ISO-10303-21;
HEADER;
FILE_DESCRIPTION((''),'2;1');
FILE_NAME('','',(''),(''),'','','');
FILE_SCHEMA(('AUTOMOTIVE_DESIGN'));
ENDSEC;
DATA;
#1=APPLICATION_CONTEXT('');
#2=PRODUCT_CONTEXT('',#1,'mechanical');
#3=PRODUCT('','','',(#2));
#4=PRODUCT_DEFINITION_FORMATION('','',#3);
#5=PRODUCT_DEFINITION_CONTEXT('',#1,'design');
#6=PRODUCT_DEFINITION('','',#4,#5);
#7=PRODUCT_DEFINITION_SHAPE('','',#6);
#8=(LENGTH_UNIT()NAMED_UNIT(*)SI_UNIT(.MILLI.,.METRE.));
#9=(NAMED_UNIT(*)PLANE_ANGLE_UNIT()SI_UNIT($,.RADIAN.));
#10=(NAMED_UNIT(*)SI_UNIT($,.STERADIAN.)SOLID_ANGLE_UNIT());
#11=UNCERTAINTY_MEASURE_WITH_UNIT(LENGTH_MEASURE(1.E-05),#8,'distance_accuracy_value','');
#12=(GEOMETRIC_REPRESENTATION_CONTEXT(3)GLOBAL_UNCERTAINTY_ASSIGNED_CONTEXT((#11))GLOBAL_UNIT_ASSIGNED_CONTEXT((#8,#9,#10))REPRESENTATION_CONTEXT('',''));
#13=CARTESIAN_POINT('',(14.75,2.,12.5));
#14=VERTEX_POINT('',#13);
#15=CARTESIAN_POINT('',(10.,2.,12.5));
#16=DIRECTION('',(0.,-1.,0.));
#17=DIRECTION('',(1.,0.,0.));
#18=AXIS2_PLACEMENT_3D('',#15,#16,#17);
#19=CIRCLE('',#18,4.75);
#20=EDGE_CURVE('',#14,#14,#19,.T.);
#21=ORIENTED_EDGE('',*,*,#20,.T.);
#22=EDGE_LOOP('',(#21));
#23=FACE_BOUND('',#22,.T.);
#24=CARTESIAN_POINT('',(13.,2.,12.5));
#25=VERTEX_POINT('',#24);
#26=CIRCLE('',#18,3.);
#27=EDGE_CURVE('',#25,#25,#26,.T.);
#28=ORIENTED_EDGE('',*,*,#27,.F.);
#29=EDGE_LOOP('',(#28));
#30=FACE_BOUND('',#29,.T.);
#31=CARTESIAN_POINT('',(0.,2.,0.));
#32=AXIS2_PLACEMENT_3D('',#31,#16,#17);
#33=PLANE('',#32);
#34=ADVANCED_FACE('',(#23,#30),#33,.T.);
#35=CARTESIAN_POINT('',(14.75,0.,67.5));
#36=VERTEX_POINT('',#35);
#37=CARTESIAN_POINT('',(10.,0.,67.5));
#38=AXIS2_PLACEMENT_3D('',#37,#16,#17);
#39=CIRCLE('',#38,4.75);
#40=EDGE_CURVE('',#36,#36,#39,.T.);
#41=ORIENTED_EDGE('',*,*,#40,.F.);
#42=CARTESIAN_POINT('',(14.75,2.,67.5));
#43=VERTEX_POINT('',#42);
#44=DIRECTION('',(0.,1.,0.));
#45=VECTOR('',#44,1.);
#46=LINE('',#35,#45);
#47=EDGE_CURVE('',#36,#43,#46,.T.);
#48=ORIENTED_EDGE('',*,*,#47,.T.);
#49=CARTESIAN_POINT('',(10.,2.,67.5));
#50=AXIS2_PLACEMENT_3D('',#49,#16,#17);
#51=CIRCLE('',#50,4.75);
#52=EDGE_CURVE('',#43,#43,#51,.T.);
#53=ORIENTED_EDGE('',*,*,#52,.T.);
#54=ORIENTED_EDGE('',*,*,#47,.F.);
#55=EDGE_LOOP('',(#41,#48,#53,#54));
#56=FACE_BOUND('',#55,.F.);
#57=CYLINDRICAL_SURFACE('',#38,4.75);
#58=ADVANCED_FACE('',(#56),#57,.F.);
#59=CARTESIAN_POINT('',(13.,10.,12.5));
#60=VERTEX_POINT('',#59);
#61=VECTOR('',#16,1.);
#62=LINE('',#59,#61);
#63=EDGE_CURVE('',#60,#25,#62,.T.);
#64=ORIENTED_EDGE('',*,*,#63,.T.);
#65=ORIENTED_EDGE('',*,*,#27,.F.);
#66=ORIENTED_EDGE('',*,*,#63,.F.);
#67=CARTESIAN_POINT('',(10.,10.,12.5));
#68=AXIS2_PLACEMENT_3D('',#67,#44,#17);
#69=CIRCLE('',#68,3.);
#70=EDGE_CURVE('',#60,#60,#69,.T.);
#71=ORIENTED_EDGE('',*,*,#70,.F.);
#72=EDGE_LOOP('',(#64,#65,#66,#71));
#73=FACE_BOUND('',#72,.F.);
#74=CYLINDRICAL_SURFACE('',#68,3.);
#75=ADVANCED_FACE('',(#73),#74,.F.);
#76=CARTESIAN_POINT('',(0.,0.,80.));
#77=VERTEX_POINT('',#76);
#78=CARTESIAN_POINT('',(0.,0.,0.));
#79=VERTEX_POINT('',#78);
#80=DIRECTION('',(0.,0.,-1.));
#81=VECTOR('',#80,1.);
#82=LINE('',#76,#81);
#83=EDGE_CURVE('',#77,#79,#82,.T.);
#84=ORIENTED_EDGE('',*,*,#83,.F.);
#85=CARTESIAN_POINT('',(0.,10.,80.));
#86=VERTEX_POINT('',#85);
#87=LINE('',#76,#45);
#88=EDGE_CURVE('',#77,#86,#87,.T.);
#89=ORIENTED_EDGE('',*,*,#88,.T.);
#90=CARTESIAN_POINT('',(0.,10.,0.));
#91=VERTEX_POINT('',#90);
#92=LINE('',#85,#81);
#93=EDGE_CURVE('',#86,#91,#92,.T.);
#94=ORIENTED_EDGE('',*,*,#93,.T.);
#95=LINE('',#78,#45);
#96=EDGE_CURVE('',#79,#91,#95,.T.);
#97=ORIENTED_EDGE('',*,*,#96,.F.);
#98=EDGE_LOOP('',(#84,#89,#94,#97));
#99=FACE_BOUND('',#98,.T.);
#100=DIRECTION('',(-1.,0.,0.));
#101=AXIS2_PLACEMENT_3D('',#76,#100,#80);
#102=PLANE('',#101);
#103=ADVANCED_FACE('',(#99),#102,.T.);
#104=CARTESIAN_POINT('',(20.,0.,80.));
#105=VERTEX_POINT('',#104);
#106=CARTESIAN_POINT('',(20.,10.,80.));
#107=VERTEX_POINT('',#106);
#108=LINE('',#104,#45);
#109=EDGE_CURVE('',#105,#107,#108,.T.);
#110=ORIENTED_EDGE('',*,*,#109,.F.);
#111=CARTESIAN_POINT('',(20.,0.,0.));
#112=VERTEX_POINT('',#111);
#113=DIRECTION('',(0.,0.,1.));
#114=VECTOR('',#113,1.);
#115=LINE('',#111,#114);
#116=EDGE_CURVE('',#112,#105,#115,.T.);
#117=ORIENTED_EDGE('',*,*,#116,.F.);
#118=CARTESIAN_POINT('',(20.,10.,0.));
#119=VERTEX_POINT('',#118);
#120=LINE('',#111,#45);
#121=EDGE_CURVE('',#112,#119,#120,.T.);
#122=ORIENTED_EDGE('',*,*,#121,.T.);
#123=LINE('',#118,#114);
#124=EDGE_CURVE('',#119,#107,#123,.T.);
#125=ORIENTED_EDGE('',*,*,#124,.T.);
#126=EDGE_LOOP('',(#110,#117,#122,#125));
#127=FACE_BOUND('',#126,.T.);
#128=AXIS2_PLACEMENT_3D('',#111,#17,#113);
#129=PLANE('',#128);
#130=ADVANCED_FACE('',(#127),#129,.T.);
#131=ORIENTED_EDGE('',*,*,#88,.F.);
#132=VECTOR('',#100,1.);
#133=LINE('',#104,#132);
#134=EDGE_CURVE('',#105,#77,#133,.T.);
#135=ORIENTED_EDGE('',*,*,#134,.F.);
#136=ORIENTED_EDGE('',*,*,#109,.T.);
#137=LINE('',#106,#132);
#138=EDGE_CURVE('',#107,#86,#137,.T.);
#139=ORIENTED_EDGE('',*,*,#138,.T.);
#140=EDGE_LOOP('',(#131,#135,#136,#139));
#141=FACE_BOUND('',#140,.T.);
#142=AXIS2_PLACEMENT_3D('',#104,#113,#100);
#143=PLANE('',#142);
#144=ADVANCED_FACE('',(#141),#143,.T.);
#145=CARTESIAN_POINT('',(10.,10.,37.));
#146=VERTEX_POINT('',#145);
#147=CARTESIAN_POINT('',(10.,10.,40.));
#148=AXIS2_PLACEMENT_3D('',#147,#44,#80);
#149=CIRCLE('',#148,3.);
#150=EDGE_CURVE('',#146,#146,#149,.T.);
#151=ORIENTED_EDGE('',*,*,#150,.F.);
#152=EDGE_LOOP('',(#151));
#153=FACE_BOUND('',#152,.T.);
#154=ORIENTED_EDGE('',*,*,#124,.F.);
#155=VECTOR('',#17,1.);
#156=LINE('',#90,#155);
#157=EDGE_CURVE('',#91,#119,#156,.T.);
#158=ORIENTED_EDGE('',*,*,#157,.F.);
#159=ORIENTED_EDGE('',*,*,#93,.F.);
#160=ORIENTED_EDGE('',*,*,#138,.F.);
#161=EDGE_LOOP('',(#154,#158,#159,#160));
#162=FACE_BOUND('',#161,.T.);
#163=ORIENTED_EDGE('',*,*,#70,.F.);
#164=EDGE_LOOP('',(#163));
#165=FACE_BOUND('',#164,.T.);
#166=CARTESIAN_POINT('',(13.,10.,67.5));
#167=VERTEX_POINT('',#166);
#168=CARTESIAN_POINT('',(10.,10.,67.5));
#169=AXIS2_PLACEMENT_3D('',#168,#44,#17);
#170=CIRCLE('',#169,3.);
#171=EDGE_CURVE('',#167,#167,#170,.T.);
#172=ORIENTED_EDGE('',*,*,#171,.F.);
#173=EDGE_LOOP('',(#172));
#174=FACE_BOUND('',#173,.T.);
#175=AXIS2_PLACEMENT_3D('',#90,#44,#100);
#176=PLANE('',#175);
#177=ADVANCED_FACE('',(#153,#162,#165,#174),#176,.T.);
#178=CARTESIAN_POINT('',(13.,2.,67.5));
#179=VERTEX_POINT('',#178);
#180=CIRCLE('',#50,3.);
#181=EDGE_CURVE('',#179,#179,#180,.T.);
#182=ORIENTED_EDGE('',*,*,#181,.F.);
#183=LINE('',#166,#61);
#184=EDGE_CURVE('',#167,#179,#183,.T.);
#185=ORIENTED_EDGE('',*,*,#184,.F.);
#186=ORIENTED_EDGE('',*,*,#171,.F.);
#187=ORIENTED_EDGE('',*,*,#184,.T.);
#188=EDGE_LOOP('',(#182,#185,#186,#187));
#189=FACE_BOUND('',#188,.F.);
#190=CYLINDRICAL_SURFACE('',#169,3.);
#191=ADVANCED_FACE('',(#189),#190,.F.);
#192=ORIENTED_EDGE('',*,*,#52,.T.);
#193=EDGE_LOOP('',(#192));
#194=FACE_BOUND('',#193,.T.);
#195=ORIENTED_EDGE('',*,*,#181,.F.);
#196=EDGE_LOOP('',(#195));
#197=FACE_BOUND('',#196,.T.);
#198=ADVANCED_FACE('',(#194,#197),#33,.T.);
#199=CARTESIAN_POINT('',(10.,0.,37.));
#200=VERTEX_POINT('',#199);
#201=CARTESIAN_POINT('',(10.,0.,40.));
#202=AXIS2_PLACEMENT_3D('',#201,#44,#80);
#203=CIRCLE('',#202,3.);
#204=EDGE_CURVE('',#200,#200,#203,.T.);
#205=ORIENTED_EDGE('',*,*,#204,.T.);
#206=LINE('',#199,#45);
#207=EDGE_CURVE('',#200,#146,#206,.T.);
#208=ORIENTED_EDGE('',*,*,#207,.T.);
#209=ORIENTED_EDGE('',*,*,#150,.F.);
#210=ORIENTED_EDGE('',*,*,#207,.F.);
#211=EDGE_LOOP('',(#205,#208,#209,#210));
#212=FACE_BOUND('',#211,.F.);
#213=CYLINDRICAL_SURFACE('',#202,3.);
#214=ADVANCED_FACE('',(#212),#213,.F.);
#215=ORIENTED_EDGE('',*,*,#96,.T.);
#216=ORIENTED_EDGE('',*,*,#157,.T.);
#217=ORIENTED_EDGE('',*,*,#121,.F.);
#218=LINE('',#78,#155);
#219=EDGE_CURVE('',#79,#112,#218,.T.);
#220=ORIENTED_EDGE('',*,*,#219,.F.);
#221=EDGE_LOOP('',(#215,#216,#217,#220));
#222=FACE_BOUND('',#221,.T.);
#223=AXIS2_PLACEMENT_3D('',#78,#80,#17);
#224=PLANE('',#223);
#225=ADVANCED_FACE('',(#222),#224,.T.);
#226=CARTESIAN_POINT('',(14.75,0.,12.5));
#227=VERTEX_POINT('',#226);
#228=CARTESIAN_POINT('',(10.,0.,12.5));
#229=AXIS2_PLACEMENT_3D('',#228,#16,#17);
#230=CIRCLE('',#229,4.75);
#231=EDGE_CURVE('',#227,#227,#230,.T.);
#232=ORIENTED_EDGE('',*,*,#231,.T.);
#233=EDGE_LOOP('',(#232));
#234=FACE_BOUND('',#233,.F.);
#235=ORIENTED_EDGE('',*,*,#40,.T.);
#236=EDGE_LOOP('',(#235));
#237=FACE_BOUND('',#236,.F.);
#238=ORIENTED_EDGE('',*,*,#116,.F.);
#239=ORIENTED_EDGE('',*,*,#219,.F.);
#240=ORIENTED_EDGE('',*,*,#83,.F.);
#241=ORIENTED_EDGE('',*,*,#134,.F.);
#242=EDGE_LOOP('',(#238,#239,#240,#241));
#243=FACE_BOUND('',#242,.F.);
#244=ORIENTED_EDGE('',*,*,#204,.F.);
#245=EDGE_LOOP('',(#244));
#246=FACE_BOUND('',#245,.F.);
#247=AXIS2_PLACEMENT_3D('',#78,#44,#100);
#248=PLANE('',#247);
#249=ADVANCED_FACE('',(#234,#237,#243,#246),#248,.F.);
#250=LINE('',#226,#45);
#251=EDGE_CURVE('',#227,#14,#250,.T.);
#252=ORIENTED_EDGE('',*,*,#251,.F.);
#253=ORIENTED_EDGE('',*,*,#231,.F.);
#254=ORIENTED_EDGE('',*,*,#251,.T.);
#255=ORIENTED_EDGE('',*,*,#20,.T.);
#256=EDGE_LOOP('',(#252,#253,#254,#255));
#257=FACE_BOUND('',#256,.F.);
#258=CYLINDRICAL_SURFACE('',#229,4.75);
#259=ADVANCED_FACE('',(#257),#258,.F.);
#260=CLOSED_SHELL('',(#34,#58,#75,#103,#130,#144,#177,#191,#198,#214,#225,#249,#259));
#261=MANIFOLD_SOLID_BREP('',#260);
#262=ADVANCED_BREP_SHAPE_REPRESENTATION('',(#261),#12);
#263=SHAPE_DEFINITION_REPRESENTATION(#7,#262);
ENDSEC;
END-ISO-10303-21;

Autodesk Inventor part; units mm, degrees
ref_plane "YZ Plane" through (0, 0, 0) normal (1, 0, 0) x (0, 1, 0)
ref_plane "XZ Plane" through (0, 0, 0) normal (0, 1, 0) x (-1, 0, 0)
ref_plane "XY Plane" through (0, 0, 0) normal (0, 0, 1) x (1, 0, 0)
sketch "Sketch1" plane through (0, 0, 0) normal (0, 1, 0) x (-1, 0, 0)
  line L0 (0, 0) -> (-20, 0)
  line L1 (-20, 0) -> (-20, 80)
  line L2 (-20, 80) -> (0, 80)
  line L3 (0, 80) -> (0, 0)
  dimension "d0" = 20
  dimension "d1" = 80
extrude "Extrusion1" add sketch "Sketch1" along normal blind 10
sketch "Sketch2" plane through (0, 10, 0) normal (0, 1, 0) x (1, 0, 0)
  circle A0 centre (10, -67.5) radius 3
  circle A1 centre (10, -12.5) radius 3
  line L0 (0, -80) -> (20, -80) projected
  line L1 (20, 0) -> (0, 0) projected
  point P0 (10, -80)
  point P1 (10, 0)
  dimension "d4" = 6
  dimension "d5" = 6
  dimension "d6" = 12.5
  dimension "d7" = 12.5
extrude "Extrusion2" cut sketch "Sketch2" against normal through all
sketch "Sketch3" plane through (0, 0, 0) normal (0, -1, 0) x (1, 0, 0)
  circle A0 centre (10, 67.5) radius 3 projected
  circle A1 centre (10, 67.5) radius 4.75
  circle A2 centre (10, 12.5) radius 3 projected
  circle A3 centre (10, 12.5) radius 4.75
  point P0 (0, 0)
  dimension "d10" = 9.5
  dimension "d11" = 9.5
extrude "Extrusion3" cut sketch "Sketch3" against normal blind 2
sketch "Sketch4" plane through (0, 0, 0) normal (0, -1, 0) x (1, 0, 0)
  line L0 (20, 80) -> (20, 0) projected
  line L1 (0, 80) -> (20, 80) projected
  point P0 (0, 0)
  point P1 (10, 40)
sketch "Sketch6" plane through (0, 10, 0) normal (0, 1, 0) x (1, 0, 0)
  circle A0 centre (10, -12.5) radius 3 projected
  circle A1 centre (10, -67.5) radius 3 projected
  line L0 (0, -80) -> (20, -80) projected
  line L1 (20, -80) -> (20, 0) projected
  line L2 (20, 0) -> (0, 0) projected
  line L3 (0, 0) -> (0, -80) projected
hole "Hole2" at (10, 0, 40) direction (0, 1, 0) diameter 6 depth 22.931
properties part number "Base mounting to extrusion_3DPrint"
